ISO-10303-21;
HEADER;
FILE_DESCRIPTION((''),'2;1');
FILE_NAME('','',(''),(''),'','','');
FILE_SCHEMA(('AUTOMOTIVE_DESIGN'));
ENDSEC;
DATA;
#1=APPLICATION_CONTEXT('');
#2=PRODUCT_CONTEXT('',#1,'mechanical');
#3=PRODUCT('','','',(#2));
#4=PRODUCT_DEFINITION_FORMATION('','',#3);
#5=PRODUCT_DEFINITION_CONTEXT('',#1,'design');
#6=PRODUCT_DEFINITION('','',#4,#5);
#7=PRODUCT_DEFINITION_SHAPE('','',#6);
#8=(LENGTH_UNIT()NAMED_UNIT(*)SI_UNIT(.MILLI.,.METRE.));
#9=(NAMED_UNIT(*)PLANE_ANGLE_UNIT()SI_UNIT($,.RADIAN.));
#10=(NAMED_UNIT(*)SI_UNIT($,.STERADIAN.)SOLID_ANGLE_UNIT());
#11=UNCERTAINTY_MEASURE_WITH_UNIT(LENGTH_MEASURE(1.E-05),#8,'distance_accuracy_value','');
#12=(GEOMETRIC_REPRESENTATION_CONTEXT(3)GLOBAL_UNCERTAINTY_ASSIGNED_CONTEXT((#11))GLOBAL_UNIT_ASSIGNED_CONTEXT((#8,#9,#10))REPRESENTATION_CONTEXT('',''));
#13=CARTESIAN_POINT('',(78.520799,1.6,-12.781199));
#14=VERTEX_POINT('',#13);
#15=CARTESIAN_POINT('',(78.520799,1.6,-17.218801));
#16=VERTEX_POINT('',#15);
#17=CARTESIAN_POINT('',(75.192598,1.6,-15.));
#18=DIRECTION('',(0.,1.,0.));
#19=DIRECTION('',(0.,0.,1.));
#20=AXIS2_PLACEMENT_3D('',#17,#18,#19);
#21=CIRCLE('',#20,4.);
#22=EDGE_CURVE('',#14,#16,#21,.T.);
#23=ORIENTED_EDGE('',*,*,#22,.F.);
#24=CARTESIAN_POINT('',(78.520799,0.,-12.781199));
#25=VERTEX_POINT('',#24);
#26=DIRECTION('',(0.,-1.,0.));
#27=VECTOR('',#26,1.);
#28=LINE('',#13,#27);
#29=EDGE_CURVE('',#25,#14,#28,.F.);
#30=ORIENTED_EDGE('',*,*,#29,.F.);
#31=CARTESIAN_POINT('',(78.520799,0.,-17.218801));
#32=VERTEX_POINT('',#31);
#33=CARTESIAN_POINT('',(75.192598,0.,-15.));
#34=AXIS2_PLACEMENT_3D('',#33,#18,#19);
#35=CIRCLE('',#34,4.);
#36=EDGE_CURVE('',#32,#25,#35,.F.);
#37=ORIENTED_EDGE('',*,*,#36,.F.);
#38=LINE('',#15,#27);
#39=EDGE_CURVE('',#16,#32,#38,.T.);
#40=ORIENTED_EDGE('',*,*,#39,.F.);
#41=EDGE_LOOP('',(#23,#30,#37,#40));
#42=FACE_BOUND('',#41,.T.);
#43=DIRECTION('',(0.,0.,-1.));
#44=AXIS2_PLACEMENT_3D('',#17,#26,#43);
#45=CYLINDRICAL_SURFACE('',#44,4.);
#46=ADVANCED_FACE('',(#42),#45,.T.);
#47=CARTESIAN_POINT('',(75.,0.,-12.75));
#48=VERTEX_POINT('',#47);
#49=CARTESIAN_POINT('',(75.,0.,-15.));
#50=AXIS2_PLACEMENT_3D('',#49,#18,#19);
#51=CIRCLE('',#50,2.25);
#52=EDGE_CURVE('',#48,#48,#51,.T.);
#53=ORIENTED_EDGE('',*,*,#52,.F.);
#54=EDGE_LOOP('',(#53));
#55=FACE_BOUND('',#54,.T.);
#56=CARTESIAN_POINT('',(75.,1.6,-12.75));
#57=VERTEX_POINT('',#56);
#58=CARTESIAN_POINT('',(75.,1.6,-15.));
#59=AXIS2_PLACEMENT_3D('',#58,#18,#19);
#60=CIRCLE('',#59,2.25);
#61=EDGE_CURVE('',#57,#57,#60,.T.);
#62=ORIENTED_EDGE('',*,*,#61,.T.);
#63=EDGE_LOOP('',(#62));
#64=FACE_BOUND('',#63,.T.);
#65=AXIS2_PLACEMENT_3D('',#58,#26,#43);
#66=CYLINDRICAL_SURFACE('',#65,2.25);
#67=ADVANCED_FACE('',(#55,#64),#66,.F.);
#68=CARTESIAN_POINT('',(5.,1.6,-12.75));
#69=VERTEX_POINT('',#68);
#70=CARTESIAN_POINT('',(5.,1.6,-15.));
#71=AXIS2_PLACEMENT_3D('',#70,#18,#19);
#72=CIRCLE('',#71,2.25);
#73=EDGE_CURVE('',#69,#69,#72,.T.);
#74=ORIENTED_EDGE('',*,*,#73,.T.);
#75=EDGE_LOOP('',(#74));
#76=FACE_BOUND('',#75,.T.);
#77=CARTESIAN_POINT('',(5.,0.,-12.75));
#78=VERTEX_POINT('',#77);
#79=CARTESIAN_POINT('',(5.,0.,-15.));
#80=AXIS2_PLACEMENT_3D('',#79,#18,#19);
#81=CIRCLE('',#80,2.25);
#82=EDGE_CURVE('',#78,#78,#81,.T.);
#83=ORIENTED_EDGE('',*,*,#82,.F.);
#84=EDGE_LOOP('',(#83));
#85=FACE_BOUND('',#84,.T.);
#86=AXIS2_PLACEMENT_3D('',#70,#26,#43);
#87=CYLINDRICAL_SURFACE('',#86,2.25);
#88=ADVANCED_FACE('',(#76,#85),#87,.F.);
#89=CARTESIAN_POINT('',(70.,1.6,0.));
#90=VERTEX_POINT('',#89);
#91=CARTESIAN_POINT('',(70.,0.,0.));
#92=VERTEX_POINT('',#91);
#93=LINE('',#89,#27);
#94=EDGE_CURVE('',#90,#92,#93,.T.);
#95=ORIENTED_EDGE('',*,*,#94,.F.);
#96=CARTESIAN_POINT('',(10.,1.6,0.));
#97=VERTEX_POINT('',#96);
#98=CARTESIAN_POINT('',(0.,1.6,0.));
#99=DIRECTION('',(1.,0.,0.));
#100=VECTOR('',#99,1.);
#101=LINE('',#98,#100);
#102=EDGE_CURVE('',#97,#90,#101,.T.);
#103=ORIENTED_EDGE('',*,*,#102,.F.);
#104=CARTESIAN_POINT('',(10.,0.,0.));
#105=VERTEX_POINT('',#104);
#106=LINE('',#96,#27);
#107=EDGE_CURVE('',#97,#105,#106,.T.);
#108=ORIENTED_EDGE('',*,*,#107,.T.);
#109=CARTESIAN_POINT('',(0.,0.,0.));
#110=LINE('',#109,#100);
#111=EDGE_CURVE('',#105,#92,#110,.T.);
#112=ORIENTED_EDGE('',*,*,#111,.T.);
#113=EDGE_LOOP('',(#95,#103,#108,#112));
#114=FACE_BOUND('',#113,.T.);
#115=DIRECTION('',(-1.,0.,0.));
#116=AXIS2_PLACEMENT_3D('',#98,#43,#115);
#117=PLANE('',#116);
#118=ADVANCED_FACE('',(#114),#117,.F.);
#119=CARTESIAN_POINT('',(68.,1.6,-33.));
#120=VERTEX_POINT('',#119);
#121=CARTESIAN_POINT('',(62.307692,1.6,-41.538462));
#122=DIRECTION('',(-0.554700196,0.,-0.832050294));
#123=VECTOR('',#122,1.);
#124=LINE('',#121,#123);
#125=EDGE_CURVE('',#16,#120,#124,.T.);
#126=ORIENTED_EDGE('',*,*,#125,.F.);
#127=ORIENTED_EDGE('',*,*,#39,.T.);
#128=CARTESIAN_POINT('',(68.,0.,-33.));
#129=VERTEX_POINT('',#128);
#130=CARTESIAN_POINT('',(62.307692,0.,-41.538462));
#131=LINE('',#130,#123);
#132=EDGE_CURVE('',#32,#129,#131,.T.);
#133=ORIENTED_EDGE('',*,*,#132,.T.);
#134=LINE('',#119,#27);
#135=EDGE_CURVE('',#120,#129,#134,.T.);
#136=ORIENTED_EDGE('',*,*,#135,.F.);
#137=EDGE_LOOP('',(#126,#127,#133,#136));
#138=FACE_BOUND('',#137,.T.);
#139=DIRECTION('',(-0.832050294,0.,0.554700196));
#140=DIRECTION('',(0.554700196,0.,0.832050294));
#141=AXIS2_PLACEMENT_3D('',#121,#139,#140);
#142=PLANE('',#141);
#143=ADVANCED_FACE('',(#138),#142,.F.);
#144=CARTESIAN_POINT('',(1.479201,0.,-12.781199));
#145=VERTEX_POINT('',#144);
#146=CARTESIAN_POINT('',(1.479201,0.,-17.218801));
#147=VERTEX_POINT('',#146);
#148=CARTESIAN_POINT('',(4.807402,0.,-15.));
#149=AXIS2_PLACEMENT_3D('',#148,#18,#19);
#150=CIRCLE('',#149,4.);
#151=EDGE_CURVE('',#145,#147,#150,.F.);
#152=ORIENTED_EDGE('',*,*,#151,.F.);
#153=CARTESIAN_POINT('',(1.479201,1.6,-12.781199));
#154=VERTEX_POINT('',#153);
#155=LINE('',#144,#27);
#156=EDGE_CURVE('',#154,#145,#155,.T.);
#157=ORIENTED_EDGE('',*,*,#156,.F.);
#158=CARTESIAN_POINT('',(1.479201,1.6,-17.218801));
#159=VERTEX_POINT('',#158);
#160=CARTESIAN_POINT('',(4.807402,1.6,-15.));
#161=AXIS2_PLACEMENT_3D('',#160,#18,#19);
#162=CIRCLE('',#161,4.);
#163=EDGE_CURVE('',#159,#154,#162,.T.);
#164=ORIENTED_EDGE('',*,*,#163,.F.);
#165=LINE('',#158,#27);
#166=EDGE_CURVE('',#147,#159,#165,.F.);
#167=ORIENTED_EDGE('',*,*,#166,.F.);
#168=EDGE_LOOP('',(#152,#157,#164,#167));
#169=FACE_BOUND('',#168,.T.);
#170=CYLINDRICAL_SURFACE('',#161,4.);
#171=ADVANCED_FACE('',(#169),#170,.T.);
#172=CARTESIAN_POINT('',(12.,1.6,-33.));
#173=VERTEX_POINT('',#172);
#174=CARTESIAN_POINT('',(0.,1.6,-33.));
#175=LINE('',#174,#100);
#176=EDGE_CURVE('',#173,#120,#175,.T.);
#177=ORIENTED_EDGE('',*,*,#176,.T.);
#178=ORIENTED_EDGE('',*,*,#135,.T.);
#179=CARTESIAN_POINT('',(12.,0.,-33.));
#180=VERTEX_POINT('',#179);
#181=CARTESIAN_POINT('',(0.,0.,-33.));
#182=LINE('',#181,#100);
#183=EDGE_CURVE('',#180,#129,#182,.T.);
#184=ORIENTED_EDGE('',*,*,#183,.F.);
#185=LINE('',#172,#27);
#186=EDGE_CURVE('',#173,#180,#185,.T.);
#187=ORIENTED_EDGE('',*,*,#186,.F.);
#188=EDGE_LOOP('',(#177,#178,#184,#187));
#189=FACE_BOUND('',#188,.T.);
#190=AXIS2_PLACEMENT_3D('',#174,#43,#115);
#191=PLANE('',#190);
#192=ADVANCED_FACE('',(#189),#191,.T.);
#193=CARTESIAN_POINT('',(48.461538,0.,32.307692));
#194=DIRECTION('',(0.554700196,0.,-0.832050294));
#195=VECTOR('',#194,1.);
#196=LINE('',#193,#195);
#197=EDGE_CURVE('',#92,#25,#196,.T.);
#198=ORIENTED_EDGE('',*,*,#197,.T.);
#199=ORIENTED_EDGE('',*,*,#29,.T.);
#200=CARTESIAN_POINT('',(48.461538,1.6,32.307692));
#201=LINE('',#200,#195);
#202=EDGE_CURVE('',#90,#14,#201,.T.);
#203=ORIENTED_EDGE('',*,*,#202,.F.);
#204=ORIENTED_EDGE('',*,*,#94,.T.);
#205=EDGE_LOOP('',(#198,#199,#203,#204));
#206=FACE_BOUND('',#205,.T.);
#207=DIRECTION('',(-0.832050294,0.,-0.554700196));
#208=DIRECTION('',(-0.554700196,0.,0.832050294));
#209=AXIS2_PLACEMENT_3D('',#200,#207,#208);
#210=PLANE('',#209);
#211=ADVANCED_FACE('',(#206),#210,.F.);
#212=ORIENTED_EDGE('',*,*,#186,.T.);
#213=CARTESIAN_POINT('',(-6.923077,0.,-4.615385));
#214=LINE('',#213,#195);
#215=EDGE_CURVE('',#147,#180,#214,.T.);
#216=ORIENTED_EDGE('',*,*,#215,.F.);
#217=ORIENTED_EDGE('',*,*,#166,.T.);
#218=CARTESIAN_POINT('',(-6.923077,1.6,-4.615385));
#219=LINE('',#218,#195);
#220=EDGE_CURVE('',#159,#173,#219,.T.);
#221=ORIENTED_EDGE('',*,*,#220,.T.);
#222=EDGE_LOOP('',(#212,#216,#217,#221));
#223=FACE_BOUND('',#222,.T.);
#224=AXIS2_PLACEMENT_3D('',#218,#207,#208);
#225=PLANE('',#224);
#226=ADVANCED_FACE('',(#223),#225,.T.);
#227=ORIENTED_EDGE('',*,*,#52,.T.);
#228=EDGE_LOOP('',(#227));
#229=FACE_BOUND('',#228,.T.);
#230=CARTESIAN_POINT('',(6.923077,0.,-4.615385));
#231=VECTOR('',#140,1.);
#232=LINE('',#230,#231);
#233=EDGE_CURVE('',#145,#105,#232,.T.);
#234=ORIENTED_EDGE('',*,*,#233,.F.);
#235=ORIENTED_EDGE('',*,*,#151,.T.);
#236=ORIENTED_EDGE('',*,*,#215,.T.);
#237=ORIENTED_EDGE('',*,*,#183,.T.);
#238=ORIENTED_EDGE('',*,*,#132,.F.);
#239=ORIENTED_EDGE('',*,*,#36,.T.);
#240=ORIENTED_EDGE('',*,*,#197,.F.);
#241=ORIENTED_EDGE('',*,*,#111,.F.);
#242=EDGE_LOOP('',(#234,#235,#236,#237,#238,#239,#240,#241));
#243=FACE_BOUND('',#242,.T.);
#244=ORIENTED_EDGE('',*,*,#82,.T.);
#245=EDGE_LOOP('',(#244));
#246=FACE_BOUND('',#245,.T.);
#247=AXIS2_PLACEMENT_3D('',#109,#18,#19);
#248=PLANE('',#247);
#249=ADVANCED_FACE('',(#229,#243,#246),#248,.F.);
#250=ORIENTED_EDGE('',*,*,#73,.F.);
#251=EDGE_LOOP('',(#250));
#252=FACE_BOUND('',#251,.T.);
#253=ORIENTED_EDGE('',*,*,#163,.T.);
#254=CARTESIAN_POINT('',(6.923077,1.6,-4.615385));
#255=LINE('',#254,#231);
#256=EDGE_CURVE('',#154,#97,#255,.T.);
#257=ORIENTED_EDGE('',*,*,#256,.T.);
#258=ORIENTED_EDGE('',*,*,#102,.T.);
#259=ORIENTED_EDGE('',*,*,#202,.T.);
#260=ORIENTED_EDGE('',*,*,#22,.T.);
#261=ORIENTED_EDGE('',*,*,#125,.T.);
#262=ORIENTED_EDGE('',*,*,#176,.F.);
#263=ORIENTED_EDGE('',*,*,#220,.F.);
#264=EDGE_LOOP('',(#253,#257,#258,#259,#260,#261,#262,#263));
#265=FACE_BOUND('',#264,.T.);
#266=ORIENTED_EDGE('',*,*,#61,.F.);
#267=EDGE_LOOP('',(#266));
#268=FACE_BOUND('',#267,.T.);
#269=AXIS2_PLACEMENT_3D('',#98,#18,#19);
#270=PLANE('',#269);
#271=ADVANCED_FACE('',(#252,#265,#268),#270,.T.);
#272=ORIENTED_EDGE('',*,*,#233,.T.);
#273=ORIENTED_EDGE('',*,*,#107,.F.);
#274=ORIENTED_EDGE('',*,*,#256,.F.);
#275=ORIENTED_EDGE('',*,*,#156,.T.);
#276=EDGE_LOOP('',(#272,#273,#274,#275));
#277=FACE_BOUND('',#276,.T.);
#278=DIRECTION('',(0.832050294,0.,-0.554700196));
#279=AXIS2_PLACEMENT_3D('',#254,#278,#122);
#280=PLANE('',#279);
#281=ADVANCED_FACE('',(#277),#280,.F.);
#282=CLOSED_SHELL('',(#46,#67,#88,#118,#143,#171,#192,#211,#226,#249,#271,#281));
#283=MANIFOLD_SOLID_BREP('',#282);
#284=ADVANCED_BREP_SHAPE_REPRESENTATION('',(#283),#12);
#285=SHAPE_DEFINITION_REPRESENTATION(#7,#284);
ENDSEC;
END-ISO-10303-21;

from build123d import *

# Parameters (mm, degrees)
SKETCH1_R           = 2.25
BOSS_EXTRUDE1_DEPTH = 1.6
FILLET1_R           = 4


with BuildPart() as part:
    # Sketch1 → Boss-Extrude1 (new body)
    with BuildSketch(Plane(origin=(0, 0, 0), x_dir=(1, 0, 0), z_dir=(0, 1, 0))):
        Polygon((12, 33), (0, 15), (10, 0), (70, 0), (80, 15), (68, 33), align=None)
        with Locations(Location((5, 15, 0), (0, 0, 270))):
            Circle(SKETCH1_R, mode=Mode.SUBTRACT)
        with Locations(Location((75, 15, 0), (0, 0, 270))):
            Circle(SKETCH1_R, mode=Mode.SUBTRACT)
    extrude(amount=BOSS_EXTRUDE1_DEPTH)

    # Fillet1
    fillet1_edges = [part.edges().sort_by_distance(p)[0] for p in [
        (0, 0.8, -15),
        (80, 0.8, -15),
    ]]
    fillet(fillet1_edges, radius=FILLET1_R)


solid = part.part
